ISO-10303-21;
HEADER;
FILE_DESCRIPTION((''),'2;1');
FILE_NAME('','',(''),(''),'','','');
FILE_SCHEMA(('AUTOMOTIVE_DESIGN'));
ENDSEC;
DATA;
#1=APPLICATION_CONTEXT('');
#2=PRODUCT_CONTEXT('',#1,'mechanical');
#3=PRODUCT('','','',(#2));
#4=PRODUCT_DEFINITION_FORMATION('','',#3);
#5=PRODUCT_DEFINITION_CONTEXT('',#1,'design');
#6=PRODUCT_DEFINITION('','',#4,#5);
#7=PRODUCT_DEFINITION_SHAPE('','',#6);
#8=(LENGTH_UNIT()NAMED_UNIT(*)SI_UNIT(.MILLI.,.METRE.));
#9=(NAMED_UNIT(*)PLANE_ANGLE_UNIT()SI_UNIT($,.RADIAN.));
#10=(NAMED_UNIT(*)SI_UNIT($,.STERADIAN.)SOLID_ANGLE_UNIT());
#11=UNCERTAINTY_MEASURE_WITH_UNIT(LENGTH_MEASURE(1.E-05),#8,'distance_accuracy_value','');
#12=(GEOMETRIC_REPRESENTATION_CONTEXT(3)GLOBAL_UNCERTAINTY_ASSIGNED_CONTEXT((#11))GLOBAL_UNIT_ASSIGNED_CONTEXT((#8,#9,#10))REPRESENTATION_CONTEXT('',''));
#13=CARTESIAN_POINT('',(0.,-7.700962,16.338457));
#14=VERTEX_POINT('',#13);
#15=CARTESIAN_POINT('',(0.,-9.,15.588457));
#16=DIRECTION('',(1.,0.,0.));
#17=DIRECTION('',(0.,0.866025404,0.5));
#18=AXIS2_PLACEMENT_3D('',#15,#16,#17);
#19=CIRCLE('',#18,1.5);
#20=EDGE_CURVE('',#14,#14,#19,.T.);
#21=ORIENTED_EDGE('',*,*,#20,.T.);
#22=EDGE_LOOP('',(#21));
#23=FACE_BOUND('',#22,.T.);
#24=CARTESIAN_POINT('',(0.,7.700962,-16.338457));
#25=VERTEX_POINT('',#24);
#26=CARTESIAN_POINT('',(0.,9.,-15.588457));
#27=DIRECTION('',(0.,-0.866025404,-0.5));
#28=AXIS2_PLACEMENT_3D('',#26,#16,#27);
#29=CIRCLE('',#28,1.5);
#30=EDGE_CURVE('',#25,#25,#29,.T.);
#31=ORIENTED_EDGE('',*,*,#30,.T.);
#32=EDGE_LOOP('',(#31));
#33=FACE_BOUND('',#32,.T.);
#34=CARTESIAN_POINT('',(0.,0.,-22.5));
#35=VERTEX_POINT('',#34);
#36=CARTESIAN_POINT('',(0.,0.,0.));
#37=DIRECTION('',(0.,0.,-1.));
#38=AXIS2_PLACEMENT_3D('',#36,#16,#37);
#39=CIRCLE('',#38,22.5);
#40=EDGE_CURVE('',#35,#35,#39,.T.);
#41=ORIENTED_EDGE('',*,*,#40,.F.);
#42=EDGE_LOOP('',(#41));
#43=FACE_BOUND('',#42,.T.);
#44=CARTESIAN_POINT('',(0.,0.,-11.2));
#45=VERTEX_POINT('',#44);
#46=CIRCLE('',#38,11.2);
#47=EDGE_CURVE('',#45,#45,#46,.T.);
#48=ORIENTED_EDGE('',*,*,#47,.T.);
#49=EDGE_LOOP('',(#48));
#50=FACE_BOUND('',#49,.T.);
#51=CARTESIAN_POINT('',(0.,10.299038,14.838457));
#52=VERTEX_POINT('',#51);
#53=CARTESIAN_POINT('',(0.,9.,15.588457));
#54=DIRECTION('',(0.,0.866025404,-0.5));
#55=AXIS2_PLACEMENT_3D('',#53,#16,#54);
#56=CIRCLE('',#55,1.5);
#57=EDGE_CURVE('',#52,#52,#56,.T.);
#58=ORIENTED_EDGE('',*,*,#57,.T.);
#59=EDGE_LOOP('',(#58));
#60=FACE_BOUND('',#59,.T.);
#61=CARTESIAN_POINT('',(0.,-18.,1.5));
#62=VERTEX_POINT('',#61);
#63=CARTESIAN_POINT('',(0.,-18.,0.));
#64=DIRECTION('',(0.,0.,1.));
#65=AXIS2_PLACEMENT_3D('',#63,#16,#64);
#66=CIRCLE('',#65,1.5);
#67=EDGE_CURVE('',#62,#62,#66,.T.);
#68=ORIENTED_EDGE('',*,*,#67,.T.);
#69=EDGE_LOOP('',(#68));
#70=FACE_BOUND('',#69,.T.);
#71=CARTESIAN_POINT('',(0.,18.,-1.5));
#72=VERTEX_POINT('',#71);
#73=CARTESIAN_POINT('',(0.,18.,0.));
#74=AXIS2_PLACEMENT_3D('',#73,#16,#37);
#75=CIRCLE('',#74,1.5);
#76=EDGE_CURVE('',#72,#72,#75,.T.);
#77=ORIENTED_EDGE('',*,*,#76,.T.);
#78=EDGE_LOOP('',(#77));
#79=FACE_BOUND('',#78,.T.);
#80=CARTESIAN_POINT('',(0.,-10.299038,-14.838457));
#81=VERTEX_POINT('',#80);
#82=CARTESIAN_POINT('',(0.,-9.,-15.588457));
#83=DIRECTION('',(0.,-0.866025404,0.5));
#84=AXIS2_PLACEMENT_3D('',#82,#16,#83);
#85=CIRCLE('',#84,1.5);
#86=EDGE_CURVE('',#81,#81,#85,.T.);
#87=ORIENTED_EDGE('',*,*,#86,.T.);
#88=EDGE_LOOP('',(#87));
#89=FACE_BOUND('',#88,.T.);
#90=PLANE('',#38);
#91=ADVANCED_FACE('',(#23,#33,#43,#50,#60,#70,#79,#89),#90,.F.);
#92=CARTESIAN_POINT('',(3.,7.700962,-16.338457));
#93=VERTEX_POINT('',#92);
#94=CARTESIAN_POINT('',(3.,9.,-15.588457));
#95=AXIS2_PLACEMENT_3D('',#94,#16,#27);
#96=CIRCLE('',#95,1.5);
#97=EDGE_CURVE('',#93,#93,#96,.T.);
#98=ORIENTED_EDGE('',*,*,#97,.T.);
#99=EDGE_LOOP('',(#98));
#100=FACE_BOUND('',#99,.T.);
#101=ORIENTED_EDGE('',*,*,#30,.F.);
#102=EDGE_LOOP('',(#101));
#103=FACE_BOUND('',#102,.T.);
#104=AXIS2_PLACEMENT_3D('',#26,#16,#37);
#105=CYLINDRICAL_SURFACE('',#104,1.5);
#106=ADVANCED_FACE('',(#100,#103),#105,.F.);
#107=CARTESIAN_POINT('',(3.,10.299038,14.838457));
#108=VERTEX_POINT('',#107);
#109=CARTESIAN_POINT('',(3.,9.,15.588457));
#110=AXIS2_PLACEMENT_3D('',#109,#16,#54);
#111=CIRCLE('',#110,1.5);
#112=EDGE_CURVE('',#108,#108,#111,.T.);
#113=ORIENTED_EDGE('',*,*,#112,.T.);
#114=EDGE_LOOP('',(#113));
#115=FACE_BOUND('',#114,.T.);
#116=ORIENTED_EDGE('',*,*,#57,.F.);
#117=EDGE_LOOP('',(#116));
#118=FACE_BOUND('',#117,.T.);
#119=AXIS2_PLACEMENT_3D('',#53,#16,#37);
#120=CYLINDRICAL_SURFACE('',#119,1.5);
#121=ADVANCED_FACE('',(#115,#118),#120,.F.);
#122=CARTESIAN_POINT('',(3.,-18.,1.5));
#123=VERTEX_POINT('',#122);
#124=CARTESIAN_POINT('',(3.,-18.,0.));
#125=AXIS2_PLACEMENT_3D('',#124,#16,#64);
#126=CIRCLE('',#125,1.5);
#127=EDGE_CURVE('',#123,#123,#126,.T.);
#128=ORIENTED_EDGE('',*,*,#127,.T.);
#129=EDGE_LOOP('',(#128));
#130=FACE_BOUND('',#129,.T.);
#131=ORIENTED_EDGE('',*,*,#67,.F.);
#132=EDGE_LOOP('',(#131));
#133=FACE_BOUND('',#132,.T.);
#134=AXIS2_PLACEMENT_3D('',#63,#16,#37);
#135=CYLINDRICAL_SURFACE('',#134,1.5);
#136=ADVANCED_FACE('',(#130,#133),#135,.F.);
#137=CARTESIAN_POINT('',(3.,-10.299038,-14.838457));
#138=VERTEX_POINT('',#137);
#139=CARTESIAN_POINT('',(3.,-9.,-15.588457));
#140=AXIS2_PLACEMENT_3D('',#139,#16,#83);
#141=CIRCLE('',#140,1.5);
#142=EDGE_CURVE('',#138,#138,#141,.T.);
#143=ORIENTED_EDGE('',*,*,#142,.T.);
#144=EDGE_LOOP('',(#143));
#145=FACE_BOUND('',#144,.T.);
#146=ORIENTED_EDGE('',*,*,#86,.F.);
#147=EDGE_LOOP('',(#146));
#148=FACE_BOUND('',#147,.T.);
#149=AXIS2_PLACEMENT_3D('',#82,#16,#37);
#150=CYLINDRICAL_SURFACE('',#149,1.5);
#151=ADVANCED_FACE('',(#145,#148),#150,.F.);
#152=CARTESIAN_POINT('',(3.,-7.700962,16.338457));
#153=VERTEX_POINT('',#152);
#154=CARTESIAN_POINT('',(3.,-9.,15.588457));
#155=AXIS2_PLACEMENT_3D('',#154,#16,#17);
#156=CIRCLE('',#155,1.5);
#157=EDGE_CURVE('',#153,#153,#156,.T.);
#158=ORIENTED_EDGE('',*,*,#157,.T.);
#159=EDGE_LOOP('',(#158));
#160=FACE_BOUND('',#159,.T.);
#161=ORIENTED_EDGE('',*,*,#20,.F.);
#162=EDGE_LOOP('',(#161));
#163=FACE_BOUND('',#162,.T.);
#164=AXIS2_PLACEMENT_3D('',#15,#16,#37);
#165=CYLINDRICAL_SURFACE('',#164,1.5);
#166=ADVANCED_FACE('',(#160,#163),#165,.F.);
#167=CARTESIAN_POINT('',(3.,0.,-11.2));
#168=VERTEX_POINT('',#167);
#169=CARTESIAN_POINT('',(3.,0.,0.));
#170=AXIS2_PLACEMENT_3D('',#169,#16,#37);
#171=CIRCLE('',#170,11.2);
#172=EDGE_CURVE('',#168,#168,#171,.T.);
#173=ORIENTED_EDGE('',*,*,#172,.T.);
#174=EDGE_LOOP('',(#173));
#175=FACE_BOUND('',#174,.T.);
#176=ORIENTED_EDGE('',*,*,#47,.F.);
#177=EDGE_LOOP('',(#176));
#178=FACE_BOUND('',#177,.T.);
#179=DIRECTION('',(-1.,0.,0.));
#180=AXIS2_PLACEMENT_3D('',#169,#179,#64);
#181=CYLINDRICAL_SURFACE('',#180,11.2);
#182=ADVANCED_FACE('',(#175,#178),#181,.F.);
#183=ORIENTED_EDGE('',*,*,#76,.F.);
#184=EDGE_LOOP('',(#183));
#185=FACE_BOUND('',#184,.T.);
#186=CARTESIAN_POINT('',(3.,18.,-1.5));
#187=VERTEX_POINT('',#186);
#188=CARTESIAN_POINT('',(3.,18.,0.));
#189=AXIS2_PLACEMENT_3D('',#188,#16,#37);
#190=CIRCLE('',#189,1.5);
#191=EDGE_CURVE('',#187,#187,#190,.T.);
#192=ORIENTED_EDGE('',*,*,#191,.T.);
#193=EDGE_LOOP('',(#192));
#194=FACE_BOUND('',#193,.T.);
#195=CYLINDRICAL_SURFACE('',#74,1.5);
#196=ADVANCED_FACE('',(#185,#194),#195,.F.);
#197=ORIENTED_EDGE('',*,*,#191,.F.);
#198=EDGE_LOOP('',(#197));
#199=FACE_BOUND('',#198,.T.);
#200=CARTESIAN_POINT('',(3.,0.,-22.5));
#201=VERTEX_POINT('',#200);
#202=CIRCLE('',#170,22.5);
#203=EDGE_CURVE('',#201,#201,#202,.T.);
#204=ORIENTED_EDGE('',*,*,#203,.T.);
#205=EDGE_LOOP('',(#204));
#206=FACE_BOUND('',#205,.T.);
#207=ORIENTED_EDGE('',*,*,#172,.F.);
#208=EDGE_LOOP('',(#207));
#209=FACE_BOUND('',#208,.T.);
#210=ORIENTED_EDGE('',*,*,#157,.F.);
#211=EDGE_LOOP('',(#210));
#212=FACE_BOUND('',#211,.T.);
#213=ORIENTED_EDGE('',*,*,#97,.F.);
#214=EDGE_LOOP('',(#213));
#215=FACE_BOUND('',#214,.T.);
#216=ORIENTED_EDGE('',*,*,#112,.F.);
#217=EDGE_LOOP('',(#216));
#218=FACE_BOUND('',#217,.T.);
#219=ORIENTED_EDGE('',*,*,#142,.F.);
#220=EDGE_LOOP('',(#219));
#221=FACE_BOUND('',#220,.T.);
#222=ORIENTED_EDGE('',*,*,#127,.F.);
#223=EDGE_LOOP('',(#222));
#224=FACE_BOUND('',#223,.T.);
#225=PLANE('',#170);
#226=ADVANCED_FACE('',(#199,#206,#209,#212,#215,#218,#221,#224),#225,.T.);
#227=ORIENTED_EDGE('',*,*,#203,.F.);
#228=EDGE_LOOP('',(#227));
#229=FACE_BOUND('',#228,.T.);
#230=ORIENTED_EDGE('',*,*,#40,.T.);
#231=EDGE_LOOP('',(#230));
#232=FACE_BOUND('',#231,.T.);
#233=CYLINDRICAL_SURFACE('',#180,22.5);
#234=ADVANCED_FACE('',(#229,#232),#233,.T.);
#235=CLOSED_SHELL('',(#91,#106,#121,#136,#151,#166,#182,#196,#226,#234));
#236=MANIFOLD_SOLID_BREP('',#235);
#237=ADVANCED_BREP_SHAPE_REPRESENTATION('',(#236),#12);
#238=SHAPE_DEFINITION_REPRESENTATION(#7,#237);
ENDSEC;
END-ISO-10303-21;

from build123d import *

# Parameters (mm, degrees)
SKETCH1_R          = 22.5
SKETCH1_R_2        = 11.2
EXTRUDE1_DEPTH     = 3
SKETCH2_R          = 1.5
CUT_EXTRUDE1_DEPTH = 4
CIRPATTERN1_COUNT  = 6


with BuildPart() as part:
    # Sketch1 → Extrude1 (new body)
    with BuildSketch(Plane(origin=(0, 0, 0), x_dir=(0, 0, -1), z_dir=(1, 0, 0))):
        Circle(SKETCH1_R)
        Circle(SKETCH1_R_2, mode=Mode.SUBTRACT)
    extrude(amount=EXTRUDE1_DEPTH)

    # Sketch2 → Cut-Extrude1 (cut, through all)
    with BuildSketch(Plane(origin=(3, 0, 0), x_dir=(0, 0, -1), z_dir=(1, 0, 0))):
        with Locations((0, 18)):
            Circle(SKETCH2_R)
    cut_extrude1 = extrude(amount=-CUT_EXTRUDE1_DEPTH, mode=Mode.SUBTRACT)

    # CirPattern1: Cut-Extrude1 ×6 about axis
    cirpattern1_axis = Axis((0, 0, 0), (1, 0, 0))
    for i in range(1, CIRPATTERN1_COUNT):
        add(cut_extrude1.rotate(cirpattern1_axis, i * 360 / CIRPATTERN1_COUNT), mode=Mode.SUBTRACT)


solid = part.part
